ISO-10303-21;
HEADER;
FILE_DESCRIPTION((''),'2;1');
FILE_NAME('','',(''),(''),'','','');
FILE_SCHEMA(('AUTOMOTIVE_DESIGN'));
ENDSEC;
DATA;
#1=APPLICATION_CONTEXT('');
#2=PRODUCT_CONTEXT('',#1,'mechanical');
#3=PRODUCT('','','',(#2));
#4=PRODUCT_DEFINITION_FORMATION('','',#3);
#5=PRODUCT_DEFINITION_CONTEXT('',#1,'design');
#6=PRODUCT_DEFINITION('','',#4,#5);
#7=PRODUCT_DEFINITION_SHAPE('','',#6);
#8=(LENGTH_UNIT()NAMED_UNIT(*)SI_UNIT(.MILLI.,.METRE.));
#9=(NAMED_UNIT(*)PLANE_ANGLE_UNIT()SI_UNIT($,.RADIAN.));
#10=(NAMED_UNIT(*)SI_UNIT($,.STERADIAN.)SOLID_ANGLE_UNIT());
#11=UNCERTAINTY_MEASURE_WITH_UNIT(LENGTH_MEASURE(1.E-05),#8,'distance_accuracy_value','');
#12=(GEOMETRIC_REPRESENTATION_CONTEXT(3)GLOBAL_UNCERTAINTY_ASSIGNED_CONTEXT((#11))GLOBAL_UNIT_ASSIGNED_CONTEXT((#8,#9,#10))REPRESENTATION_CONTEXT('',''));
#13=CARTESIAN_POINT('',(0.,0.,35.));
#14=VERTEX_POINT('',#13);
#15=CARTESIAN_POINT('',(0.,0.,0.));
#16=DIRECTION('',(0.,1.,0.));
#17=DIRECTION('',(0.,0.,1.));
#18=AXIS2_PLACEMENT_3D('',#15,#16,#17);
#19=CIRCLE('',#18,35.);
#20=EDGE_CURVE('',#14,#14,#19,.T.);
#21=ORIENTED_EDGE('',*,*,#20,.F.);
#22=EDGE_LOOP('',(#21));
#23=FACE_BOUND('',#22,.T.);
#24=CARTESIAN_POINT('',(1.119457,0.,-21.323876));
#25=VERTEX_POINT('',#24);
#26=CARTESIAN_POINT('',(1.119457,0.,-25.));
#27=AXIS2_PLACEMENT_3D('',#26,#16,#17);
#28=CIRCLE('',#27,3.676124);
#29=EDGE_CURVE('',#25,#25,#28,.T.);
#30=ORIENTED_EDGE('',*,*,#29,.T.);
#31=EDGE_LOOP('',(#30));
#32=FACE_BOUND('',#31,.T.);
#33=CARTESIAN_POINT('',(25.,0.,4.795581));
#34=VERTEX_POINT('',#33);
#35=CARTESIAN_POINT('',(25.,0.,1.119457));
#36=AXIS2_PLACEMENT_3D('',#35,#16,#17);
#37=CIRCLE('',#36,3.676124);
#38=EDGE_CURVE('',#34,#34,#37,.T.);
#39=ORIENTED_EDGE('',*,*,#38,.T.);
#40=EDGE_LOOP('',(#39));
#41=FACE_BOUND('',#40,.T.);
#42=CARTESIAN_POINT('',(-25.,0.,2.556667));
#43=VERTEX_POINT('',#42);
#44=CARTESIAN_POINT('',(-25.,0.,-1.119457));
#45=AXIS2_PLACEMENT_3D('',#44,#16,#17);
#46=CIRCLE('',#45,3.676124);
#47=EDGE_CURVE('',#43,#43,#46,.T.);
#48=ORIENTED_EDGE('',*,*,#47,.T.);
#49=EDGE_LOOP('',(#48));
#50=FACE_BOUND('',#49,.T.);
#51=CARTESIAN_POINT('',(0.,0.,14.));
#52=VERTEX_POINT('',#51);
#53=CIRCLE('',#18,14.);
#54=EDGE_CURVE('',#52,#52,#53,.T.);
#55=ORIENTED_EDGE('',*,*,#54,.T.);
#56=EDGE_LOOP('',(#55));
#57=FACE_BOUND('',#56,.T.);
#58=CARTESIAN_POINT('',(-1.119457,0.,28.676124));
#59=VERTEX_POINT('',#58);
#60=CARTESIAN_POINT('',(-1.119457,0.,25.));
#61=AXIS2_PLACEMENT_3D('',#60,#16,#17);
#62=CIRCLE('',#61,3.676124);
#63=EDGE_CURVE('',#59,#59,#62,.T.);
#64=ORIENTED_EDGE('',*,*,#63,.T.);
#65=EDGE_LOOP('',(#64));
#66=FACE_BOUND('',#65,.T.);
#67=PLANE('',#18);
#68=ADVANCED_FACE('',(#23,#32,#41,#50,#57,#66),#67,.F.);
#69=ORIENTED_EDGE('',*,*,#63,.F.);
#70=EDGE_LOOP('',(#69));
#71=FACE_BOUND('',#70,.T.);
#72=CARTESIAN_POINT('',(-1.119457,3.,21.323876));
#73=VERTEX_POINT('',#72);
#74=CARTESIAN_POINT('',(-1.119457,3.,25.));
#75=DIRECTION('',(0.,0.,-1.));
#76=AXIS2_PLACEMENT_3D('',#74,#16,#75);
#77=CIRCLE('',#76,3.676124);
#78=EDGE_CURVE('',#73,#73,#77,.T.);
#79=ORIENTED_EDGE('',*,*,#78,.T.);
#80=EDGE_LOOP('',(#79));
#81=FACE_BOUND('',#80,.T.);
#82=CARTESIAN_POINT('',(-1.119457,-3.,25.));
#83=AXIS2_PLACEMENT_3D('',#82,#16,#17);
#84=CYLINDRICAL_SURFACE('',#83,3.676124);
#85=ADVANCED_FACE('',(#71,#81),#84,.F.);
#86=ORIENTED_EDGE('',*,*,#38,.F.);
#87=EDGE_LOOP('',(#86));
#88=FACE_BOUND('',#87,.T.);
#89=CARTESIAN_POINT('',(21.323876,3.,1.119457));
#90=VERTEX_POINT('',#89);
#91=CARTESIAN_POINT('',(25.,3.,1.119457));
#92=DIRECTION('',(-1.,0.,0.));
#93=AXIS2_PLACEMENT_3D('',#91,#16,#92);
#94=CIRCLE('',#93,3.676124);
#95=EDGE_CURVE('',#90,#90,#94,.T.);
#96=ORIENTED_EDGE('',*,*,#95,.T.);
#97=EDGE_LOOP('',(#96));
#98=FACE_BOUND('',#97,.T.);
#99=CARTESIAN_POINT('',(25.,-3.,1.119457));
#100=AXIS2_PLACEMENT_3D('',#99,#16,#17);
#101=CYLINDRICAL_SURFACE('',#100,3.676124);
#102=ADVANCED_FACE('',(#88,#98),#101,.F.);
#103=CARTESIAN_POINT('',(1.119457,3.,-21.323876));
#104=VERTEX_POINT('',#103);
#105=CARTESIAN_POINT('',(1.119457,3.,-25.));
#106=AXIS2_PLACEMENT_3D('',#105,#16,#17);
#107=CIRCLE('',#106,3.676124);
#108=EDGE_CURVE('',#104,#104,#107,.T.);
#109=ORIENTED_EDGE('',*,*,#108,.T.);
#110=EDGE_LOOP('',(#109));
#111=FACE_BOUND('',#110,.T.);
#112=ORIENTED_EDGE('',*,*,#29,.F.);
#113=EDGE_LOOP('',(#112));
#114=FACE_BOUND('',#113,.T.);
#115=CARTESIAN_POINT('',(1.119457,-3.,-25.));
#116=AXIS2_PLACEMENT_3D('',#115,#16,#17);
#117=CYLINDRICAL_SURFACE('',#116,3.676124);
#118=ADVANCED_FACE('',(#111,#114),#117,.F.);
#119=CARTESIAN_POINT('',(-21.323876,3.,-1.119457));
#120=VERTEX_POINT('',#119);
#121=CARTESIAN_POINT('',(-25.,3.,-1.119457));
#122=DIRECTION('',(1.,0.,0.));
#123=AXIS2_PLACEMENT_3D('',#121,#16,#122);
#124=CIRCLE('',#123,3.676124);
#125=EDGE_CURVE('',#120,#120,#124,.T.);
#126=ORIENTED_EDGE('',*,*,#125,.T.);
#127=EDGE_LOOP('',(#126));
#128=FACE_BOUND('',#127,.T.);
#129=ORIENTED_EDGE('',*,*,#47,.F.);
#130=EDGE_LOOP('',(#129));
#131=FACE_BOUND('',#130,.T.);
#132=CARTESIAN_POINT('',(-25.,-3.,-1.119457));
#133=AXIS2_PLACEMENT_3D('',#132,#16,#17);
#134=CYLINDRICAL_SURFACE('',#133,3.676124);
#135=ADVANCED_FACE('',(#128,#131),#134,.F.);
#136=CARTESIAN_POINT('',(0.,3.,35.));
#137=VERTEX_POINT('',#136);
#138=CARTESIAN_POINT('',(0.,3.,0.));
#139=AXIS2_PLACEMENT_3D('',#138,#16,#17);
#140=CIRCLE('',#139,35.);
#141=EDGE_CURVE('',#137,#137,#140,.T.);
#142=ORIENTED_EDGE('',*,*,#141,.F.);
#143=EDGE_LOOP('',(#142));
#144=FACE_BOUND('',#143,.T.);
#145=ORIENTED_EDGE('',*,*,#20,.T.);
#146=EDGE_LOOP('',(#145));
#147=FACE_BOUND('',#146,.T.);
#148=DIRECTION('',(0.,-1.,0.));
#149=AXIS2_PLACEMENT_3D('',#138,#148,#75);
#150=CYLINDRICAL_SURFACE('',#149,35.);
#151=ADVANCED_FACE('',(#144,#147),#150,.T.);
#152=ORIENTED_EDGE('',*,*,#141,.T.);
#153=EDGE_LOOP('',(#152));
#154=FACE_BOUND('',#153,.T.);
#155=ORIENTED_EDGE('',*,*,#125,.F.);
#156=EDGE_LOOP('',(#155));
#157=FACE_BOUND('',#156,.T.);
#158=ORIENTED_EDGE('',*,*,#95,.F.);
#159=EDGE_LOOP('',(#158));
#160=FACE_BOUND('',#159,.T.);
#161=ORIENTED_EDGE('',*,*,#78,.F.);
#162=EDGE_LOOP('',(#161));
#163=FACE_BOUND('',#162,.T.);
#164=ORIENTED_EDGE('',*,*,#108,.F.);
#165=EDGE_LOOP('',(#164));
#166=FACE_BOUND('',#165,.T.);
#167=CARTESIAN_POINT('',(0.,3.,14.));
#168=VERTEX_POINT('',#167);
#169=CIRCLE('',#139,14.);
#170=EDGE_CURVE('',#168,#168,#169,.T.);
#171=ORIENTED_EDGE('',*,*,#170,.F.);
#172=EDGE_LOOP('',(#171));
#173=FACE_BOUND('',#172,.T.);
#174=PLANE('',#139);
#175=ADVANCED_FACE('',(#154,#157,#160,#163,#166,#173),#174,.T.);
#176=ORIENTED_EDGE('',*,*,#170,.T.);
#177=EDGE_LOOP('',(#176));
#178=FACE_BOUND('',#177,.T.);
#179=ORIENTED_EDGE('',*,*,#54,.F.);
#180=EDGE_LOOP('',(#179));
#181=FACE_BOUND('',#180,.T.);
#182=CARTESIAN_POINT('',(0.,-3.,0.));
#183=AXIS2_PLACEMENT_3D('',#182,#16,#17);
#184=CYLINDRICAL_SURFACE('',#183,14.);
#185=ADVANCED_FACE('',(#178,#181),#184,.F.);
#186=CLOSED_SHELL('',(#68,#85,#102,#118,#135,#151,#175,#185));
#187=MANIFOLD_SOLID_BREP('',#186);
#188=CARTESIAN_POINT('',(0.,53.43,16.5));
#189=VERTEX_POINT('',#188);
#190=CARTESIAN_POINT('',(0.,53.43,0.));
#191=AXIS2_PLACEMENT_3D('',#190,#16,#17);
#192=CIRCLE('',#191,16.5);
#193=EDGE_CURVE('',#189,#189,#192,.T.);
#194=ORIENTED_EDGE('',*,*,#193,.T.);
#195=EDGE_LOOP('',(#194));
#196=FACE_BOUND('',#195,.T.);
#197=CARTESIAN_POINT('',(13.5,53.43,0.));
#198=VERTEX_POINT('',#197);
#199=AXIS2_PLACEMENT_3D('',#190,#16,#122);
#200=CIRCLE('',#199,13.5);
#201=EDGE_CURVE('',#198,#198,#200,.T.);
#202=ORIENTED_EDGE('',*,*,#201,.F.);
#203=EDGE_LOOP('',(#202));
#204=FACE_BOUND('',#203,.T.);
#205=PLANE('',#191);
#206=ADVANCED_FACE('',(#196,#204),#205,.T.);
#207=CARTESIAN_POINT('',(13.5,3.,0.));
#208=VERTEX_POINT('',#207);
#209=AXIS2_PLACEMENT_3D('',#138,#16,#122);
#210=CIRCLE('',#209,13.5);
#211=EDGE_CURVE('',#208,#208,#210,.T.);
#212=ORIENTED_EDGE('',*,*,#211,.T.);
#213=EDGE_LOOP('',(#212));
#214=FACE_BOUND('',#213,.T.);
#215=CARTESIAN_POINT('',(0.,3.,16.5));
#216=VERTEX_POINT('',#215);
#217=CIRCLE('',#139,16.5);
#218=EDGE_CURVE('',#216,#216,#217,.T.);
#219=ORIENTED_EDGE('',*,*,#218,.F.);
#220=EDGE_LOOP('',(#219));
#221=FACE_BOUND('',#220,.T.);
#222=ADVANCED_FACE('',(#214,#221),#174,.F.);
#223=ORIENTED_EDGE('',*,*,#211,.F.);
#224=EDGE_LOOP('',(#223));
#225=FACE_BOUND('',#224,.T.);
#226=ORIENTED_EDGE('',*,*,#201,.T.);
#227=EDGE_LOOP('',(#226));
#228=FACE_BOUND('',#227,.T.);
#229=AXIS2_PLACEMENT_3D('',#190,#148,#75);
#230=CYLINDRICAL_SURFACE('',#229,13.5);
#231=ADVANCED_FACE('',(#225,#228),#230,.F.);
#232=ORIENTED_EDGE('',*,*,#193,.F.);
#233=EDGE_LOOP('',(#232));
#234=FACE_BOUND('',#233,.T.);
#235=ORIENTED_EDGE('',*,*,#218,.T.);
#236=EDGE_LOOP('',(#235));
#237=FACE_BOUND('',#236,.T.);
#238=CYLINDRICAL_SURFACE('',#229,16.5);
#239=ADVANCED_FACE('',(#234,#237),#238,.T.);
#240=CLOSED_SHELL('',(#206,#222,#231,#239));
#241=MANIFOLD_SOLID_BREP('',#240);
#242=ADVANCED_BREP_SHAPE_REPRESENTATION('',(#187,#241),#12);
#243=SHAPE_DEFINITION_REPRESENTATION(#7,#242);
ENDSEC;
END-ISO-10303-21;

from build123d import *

# Parameters (mm, degrees)
SKETCH1_R           = 35
BOSS_EXTRUDE1_DEPTH = 3
SKETCH2_R           = 14
CUT_EXTRUDE1_DEPTH  = 6
SKETCH3_R           = 3.676124065
CUT_EXTRUDE2_DEPTH  = 6
CIRPATTERN1_COUNT   = 4
SKETCH4_R           = 16.5
SKETCH4_R_2         = 13.5
EXTRUDE_THIN1_DEPTH = 50.43


with BuildPart() as part:
    # Sketch1 → Boss-Extrude1 (new body)
    with BuildSketch(Plane(origin=(0, 0, 0), x_dir=(1, 0, 0), z_dir=(0, 1, 0))):
        with Locations(Location((0, 0, 0), (0, 0, 270))):
            Circle(SKETCH1_R)
    extrude(amount=BOSS_EXTRUDE1_DEPTH)

    # Sketch2 → Cut-Extrude1 (cut)
    with BuildSketch(Plane(origin=(0, 3, 0), x_dir=(1, 0, 0), z_dir=(0, 1, 0))):
        with Locations(Location((0, 0, 0), (0, 0, 270))):
            Circle(SKETCH2_R)
    extrude(amount=-CUT_EXTRUDE1_DEPTH, mode=Mode.SUBTRACT)

    # Sketch3 → Cut-Extrude2 (cut)
    with BuildSketch(Plane(origin=(0, 3, 0), x_dir=(1, 0, 0), z_dir=(0, 1, 0))):
        with Locations(Location((1.119457284, 25, 0), (0, 0, 270))):
            Circle(SKETCH3_R)
    cut_extrude2 = extrude(amount=-CUT_EXTRUDE2_DEPTH, mode=Mode.SUBTRACT)

    # CirPattern1: Cut-Extrude2 ×4 about axis
    cirpattern1_axis = Axis((0, 0, 0), (0, 1, 0))
    for i in range(1, CIRPATTERN1_COUNT):
        add(cut_extrude2.rotate(cirpattern1_axis, i * 360 / CIRPATTERN1_COUNT), mode=Mode.SUBTRACT)


with BuildPart() as body_2:
    # Sketch4 → Extrude-Thin1 (new body)
    with BuildSketch(Plane(origin=(0, 3, 0), x_dir=(1, 0, 0), z_dir=(0, 1, 0))):
        Circle(SKETCH4_R)
        Circle(SKETCH4_R_2, mode=Mode.SUBTRACT)
    extrude(amount=EXTRUDE_THIN1_DEPTH)


solid = Compound([part.part, body_2.part])
